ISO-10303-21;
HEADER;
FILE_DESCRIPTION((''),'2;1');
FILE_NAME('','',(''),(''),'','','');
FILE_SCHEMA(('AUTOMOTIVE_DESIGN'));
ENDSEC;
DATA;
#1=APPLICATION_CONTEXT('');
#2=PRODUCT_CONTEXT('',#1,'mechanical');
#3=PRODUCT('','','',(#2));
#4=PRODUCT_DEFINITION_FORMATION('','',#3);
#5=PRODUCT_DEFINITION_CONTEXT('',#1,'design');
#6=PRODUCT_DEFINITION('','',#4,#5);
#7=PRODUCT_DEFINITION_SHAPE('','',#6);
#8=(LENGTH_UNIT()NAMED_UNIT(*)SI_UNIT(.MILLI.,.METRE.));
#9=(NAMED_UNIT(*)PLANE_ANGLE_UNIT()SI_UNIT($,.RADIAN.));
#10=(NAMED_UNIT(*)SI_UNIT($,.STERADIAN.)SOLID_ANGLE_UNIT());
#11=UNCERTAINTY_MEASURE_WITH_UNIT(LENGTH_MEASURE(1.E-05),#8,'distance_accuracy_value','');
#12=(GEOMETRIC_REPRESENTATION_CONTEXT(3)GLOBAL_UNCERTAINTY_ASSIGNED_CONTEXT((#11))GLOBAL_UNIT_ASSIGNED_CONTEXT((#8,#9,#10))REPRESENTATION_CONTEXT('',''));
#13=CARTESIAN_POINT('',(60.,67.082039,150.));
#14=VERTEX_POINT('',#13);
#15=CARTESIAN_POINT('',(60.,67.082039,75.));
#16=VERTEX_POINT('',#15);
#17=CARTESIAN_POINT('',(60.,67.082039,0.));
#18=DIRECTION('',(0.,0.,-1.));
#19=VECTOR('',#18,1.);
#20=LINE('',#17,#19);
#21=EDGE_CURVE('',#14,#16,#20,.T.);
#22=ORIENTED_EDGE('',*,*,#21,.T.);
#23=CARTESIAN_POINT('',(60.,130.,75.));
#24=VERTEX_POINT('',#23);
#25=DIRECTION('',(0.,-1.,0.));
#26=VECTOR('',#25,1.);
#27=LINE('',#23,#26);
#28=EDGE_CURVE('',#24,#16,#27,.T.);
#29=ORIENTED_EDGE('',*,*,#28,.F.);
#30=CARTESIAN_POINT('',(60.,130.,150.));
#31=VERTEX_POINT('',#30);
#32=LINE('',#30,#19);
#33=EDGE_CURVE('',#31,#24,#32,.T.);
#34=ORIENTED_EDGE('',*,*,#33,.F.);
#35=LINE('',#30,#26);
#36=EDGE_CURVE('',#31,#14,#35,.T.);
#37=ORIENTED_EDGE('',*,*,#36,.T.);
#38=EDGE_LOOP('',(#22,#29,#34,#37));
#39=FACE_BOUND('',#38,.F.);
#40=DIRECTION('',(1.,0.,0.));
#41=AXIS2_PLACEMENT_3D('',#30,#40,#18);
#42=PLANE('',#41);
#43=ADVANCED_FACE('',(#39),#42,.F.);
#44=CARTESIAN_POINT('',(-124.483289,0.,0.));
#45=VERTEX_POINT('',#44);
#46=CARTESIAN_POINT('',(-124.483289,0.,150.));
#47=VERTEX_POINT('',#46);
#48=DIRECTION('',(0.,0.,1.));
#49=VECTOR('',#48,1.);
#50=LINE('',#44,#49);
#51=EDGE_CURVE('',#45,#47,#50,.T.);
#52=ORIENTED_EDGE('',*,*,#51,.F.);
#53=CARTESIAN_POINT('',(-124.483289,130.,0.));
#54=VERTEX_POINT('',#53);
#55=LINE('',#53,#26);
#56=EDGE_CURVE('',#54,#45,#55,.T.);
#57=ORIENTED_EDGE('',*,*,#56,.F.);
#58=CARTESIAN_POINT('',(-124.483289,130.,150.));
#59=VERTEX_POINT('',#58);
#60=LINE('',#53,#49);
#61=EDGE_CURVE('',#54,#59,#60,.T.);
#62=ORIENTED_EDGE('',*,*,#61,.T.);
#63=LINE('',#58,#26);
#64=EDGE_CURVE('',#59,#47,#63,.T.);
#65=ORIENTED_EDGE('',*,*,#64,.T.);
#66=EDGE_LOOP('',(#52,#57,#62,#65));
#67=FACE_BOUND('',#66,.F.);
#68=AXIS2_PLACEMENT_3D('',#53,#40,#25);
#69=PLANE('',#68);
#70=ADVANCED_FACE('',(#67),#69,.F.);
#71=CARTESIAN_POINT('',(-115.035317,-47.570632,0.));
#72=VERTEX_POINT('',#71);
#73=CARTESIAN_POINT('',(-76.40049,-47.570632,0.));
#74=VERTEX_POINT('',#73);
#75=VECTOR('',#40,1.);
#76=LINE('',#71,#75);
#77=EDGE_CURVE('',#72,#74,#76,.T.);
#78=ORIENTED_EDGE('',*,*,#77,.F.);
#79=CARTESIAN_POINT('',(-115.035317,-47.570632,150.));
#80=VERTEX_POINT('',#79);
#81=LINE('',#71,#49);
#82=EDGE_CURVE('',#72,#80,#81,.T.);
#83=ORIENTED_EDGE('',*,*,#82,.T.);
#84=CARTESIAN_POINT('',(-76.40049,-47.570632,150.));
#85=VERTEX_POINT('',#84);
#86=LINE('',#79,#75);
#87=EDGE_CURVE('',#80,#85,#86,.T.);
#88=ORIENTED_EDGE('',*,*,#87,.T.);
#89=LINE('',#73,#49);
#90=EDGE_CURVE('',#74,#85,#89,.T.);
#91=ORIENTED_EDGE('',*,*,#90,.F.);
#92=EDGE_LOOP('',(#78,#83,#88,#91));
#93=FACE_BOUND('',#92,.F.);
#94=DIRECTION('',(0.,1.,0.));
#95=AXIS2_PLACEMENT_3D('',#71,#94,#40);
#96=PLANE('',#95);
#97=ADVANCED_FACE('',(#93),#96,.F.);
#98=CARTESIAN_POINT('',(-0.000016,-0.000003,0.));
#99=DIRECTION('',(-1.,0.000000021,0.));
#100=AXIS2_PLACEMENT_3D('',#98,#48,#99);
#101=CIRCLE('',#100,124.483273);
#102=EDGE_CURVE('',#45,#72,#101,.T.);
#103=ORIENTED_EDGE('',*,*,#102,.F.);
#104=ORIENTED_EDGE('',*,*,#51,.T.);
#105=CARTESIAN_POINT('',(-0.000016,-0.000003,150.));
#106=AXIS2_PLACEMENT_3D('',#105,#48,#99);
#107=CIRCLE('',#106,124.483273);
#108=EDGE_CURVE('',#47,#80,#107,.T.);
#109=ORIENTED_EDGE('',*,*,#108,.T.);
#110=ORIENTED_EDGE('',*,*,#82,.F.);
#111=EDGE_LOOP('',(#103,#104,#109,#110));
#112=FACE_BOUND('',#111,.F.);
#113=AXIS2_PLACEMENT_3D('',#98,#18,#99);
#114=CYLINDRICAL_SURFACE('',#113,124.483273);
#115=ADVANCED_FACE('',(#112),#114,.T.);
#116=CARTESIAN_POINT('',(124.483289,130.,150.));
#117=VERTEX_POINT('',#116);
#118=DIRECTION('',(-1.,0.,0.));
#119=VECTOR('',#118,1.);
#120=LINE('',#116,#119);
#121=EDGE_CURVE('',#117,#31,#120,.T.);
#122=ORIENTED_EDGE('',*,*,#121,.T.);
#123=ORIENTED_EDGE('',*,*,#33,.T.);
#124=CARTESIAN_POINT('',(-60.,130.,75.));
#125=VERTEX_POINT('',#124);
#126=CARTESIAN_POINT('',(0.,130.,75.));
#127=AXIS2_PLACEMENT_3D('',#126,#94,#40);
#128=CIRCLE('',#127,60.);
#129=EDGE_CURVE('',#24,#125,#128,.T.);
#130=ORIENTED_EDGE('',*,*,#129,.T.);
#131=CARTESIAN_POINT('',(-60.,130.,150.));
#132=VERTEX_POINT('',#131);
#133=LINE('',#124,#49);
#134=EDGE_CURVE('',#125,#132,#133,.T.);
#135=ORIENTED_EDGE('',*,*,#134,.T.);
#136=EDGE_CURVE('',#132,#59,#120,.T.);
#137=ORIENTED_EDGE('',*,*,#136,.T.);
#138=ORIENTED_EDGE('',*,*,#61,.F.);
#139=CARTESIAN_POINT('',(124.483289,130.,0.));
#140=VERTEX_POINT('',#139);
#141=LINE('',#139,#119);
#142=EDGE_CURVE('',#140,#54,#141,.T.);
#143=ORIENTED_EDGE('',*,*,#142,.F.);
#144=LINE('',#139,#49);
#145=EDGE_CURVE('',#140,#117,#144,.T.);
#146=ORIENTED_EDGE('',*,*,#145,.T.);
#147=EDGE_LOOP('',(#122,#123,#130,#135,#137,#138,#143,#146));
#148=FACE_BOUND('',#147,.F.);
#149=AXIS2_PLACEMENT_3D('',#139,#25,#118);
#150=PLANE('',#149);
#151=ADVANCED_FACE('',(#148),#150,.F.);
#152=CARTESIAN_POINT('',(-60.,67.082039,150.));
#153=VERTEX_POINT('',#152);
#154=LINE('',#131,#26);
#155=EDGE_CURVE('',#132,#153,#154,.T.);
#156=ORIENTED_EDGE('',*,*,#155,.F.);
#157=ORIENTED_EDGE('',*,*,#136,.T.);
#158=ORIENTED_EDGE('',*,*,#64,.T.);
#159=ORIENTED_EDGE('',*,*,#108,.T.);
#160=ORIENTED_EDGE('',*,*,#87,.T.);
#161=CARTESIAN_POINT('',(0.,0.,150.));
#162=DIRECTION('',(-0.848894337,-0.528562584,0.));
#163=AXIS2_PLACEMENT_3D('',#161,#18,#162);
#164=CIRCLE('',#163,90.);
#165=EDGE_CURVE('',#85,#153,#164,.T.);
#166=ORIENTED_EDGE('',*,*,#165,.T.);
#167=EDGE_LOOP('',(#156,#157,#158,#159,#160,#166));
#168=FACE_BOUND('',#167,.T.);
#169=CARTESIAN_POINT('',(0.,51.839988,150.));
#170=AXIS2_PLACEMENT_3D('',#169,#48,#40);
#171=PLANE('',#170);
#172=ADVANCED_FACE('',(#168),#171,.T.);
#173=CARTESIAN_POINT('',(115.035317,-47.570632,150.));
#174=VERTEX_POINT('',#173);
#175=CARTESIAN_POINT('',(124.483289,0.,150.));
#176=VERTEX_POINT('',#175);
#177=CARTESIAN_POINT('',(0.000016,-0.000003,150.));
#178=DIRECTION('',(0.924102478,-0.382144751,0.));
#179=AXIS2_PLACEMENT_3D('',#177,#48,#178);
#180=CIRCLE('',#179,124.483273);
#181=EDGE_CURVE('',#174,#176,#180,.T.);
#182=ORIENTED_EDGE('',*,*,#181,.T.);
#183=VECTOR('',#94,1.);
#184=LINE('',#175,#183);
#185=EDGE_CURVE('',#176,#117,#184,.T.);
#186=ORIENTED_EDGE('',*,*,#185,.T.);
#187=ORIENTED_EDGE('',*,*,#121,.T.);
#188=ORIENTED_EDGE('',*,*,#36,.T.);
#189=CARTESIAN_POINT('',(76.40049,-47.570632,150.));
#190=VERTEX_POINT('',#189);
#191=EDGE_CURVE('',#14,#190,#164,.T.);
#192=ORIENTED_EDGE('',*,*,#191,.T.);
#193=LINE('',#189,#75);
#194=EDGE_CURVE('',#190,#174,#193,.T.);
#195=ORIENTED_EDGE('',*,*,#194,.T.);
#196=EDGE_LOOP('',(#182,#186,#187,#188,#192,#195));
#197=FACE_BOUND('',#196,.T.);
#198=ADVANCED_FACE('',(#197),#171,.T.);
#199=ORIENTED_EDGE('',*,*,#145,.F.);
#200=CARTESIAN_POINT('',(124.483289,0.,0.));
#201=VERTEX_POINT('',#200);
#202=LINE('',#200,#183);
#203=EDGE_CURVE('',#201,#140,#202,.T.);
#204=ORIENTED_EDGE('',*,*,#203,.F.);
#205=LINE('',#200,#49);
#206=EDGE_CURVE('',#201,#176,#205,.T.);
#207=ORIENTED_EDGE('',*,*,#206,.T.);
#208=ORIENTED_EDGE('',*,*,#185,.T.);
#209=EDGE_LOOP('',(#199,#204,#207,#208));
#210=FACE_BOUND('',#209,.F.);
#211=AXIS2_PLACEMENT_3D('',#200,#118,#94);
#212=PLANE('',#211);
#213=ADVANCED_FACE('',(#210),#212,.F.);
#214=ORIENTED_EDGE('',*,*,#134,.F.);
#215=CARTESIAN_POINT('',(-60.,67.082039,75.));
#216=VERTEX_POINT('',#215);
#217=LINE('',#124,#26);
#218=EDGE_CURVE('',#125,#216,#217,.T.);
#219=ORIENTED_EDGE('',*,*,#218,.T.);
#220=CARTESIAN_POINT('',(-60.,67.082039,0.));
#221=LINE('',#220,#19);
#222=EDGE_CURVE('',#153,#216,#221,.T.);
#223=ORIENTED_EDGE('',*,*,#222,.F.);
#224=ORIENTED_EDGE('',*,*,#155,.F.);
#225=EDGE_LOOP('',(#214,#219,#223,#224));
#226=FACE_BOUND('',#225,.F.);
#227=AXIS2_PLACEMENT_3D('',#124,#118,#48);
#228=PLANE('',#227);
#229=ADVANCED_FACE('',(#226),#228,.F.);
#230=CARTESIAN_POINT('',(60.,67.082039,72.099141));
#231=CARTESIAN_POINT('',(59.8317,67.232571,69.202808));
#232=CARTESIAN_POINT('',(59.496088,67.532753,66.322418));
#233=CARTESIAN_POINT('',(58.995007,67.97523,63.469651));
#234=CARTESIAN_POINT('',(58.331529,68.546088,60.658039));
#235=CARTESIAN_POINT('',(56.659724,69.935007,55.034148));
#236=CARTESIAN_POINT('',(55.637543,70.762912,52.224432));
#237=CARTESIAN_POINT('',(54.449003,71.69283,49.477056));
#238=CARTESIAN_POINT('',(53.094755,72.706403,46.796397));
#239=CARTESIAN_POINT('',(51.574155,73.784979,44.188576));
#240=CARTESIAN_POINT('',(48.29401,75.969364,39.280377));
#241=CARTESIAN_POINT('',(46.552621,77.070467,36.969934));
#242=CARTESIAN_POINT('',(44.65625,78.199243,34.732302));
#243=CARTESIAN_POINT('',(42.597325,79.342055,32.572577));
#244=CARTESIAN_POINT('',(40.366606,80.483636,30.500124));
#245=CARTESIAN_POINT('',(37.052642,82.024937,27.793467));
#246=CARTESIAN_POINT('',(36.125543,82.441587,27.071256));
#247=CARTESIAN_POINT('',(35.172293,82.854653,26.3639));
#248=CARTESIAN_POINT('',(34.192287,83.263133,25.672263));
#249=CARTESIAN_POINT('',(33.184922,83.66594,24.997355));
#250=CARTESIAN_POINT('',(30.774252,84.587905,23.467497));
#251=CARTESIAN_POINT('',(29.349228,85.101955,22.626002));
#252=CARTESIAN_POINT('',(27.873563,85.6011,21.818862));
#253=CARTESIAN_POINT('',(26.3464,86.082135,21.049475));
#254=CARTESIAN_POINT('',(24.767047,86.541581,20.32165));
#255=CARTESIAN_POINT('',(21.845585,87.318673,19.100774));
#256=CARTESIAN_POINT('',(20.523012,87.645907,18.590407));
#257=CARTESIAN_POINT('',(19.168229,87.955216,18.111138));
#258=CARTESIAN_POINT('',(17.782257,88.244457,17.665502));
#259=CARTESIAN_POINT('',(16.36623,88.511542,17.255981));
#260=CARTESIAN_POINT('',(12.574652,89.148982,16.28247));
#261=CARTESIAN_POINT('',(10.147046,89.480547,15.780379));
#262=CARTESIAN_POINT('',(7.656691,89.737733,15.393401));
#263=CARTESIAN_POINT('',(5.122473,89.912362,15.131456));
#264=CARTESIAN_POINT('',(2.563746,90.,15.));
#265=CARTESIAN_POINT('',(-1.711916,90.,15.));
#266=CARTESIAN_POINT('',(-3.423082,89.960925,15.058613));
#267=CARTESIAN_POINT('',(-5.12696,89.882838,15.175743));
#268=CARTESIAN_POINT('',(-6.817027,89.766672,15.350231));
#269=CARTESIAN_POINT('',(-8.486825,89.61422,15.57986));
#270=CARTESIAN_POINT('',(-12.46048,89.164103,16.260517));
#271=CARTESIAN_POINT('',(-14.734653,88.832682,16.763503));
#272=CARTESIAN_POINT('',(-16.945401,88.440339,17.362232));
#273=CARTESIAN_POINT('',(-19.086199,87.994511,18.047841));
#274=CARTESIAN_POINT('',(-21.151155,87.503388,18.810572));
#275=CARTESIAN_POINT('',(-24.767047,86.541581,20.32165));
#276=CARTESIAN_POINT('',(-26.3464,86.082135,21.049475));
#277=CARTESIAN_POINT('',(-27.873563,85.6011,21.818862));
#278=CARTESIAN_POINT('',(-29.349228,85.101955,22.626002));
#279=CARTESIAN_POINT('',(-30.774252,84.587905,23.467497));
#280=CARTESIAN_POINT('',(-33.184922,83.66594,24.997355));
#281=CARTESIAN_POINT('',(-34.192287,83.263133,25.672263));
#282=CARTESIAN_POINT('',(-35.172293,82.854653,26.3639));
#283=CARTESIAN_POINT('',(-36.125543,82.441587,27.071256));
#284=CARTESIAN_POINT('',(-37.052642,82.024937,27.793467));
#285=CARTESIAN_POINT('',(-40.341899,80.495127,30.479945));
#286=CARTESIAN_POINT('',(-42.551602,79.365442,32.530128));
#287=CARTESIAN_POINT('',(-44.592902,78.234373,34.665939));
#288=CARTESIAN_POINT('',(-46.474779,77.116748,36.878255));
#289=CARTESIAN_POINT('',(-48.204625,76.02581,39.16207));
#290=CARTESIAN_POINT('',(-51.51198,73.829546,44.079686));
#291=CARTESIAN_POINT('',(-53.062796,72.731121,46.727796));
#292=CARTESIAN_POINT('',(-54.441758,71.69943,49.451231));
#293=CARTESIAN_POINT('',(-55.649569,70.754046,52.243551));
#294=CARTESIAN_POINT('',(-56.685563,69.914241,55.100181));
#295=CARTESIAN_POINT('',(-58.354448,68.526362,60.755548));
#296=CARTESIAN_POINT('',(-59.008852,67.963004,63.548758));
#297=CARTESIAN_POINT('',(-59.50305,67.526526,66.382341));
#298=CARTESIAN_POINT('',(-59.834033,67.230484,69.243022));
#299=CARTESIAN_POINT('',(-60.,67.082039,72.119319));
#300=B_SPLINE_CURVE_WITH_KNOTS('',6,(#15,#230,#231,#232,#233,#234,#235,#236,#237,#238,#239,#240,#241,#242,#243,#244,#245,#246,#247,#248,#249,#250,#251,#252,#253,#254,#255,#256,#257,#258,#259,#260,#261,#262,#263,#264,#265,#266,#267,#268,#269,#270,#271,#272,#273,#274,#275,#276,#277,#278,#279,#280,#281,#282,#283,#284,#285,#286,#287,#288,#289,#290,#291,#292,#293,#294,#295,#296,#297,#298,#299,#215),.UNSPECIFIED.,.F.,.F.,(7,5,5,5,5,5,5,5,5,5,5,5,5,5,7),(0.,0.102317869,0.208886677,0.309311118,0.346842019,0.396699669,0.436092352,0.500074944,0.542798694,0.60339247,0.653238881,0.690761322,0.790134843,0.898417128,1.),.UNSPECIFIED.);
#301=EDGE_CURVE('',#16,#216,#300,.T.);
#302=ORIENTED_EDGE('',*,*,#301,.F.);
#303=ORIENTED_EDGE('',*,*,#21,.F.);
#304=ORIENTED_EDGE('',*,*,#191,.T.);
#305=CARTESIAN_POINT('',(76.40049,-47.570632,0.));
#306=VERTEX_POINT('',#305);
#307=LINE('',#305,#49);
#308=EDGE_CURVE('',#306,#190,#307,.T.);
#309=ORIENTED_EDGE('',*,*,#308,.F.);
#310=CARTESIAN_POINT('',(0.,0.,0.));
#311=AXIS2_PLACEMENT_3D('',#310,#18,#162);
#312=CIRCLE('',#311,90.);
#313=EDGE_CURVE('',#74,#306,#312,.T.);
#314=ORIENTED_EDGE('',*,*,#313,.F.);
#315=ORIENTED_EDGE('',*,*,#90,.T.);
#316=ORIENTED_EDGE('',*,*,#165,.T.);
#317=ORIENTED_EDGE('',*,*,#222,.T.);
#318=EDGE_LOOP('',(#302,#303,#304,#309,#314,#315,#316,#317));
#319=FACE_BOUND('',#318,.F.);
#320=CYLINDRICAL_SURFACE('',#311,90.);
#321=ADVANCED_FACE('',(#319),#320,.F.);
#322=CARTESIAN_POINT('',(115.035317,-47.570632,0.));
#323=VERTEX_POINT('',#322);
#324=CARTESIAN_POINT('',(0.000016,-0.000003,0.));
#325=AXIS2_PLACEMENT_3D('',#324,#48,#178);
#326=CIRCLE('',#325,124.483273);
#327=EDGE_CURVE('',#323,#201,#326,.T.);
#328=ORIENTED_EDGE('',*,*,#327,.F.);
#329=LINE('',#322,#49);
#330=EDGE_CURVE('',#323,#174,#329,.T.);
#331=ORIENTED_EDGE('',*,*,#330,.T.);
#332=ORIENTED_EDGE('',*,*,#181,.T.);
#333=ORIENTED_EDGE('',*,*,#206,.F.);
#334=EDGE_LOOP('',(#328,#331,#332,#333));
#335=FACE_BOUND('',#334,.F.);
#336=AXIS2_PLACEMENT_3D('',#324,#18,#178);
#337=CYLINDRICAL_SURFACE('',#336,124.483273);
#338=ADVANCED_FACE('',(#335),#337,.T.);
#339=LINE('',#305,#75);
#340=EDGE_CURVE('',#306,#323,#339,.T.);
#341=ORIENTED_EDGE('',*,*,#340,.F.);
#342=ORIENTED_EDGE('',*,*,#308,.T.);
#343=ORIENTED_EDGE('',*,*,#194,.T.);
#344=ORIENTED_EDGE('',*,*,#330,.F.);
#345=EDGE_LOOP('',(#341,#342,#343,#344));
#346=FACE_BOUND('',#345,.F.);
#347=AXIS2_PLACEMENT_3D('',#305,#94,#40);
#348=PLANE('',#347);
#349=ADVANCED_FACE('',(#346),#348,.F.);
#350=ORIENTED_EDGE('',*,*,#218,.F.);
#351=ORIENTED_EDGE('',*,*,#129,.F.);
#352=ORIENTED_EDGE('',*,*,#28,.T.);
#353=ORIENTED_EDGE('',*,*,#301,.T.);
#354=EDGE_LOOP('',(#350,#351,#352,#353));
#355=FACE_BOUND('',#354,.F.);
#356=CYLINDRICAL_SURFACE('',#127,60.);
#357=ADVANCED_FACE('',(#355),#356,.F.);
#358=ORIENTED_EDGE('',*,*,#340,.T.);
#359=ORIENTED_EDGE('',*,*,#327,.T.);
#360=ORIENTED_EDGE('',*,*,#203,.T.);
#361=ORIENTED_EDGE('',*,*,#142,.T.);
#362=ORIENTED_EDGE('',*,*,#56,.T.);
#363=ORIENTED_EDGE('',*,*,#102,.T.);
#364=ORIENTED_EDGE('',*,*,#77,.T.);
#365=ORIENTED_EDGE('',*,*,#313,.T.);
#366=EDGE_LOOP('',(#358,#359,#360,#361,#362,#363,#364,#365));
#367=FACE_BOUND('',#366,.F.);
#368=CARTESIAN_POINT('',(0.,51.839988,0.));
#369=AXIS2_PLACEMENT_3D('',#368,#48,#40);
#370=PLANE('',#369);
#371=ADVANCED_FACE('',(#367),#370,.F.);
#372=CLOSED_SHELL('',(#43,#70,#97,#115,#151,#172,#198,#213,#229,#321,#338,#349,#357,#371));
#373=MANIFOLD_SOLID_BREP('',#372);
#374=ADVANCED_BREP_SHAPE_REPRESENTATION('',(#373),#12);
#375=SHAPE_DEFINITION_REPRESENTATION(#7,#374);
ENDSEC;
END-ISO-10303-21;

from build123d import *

# Parameters (mm, degrees)
F1_DEPTH = 150
F3_DEPTH = 152.654


with BuildPart() as f1:
    # F0 (on Top) → F1 (new body)
    with BuildSketch(Plane.XY):
        with BuildLine():
            ThreePointArc((-76.40049, -47.570632), (0, 90), (76.40049, -47.570632))
            Line((76.40049, -47.570632), (115.035317, -47.570632))
            ThreePointArc((115.035317, -47.570632), (122.098452, -24.249893), (124.483289, 0))
            Line((124.483289, 0), (124.483289, 130))
            Line((124.483289, 130), (-124.483289, 130))
            Line((-124.483289, 130), (-124.483289, 0))
            ThreePointArc((-124.483289, 0), (-122.098452, -24.249893), (-115.035317, -47.570632))
            Line((-115.035317, -47.570632), (-76.40049, -47.570632))
        make_face()
    extrude(amount=F1_DEPTH)

    # F2 (on face) → F3 (cut)
    with BuildSketch(Plane(origin=(0, 130, 0), x_dir=(-1, 0, 0), z_dir=(0, 1, 0))):
        with BuildLine():
            Line((-60, 150), (-60, 75))
            ThreePointArc((-60, 75), (0, 15), (60, 75))
            Line((60, 75), (60, 150))
            Line((60, 150), (-60, 150))
        make_face()
    extrude(amount=-F3_DEPTH, mode=Mode.SUBTRACT)


solid = f1.part
